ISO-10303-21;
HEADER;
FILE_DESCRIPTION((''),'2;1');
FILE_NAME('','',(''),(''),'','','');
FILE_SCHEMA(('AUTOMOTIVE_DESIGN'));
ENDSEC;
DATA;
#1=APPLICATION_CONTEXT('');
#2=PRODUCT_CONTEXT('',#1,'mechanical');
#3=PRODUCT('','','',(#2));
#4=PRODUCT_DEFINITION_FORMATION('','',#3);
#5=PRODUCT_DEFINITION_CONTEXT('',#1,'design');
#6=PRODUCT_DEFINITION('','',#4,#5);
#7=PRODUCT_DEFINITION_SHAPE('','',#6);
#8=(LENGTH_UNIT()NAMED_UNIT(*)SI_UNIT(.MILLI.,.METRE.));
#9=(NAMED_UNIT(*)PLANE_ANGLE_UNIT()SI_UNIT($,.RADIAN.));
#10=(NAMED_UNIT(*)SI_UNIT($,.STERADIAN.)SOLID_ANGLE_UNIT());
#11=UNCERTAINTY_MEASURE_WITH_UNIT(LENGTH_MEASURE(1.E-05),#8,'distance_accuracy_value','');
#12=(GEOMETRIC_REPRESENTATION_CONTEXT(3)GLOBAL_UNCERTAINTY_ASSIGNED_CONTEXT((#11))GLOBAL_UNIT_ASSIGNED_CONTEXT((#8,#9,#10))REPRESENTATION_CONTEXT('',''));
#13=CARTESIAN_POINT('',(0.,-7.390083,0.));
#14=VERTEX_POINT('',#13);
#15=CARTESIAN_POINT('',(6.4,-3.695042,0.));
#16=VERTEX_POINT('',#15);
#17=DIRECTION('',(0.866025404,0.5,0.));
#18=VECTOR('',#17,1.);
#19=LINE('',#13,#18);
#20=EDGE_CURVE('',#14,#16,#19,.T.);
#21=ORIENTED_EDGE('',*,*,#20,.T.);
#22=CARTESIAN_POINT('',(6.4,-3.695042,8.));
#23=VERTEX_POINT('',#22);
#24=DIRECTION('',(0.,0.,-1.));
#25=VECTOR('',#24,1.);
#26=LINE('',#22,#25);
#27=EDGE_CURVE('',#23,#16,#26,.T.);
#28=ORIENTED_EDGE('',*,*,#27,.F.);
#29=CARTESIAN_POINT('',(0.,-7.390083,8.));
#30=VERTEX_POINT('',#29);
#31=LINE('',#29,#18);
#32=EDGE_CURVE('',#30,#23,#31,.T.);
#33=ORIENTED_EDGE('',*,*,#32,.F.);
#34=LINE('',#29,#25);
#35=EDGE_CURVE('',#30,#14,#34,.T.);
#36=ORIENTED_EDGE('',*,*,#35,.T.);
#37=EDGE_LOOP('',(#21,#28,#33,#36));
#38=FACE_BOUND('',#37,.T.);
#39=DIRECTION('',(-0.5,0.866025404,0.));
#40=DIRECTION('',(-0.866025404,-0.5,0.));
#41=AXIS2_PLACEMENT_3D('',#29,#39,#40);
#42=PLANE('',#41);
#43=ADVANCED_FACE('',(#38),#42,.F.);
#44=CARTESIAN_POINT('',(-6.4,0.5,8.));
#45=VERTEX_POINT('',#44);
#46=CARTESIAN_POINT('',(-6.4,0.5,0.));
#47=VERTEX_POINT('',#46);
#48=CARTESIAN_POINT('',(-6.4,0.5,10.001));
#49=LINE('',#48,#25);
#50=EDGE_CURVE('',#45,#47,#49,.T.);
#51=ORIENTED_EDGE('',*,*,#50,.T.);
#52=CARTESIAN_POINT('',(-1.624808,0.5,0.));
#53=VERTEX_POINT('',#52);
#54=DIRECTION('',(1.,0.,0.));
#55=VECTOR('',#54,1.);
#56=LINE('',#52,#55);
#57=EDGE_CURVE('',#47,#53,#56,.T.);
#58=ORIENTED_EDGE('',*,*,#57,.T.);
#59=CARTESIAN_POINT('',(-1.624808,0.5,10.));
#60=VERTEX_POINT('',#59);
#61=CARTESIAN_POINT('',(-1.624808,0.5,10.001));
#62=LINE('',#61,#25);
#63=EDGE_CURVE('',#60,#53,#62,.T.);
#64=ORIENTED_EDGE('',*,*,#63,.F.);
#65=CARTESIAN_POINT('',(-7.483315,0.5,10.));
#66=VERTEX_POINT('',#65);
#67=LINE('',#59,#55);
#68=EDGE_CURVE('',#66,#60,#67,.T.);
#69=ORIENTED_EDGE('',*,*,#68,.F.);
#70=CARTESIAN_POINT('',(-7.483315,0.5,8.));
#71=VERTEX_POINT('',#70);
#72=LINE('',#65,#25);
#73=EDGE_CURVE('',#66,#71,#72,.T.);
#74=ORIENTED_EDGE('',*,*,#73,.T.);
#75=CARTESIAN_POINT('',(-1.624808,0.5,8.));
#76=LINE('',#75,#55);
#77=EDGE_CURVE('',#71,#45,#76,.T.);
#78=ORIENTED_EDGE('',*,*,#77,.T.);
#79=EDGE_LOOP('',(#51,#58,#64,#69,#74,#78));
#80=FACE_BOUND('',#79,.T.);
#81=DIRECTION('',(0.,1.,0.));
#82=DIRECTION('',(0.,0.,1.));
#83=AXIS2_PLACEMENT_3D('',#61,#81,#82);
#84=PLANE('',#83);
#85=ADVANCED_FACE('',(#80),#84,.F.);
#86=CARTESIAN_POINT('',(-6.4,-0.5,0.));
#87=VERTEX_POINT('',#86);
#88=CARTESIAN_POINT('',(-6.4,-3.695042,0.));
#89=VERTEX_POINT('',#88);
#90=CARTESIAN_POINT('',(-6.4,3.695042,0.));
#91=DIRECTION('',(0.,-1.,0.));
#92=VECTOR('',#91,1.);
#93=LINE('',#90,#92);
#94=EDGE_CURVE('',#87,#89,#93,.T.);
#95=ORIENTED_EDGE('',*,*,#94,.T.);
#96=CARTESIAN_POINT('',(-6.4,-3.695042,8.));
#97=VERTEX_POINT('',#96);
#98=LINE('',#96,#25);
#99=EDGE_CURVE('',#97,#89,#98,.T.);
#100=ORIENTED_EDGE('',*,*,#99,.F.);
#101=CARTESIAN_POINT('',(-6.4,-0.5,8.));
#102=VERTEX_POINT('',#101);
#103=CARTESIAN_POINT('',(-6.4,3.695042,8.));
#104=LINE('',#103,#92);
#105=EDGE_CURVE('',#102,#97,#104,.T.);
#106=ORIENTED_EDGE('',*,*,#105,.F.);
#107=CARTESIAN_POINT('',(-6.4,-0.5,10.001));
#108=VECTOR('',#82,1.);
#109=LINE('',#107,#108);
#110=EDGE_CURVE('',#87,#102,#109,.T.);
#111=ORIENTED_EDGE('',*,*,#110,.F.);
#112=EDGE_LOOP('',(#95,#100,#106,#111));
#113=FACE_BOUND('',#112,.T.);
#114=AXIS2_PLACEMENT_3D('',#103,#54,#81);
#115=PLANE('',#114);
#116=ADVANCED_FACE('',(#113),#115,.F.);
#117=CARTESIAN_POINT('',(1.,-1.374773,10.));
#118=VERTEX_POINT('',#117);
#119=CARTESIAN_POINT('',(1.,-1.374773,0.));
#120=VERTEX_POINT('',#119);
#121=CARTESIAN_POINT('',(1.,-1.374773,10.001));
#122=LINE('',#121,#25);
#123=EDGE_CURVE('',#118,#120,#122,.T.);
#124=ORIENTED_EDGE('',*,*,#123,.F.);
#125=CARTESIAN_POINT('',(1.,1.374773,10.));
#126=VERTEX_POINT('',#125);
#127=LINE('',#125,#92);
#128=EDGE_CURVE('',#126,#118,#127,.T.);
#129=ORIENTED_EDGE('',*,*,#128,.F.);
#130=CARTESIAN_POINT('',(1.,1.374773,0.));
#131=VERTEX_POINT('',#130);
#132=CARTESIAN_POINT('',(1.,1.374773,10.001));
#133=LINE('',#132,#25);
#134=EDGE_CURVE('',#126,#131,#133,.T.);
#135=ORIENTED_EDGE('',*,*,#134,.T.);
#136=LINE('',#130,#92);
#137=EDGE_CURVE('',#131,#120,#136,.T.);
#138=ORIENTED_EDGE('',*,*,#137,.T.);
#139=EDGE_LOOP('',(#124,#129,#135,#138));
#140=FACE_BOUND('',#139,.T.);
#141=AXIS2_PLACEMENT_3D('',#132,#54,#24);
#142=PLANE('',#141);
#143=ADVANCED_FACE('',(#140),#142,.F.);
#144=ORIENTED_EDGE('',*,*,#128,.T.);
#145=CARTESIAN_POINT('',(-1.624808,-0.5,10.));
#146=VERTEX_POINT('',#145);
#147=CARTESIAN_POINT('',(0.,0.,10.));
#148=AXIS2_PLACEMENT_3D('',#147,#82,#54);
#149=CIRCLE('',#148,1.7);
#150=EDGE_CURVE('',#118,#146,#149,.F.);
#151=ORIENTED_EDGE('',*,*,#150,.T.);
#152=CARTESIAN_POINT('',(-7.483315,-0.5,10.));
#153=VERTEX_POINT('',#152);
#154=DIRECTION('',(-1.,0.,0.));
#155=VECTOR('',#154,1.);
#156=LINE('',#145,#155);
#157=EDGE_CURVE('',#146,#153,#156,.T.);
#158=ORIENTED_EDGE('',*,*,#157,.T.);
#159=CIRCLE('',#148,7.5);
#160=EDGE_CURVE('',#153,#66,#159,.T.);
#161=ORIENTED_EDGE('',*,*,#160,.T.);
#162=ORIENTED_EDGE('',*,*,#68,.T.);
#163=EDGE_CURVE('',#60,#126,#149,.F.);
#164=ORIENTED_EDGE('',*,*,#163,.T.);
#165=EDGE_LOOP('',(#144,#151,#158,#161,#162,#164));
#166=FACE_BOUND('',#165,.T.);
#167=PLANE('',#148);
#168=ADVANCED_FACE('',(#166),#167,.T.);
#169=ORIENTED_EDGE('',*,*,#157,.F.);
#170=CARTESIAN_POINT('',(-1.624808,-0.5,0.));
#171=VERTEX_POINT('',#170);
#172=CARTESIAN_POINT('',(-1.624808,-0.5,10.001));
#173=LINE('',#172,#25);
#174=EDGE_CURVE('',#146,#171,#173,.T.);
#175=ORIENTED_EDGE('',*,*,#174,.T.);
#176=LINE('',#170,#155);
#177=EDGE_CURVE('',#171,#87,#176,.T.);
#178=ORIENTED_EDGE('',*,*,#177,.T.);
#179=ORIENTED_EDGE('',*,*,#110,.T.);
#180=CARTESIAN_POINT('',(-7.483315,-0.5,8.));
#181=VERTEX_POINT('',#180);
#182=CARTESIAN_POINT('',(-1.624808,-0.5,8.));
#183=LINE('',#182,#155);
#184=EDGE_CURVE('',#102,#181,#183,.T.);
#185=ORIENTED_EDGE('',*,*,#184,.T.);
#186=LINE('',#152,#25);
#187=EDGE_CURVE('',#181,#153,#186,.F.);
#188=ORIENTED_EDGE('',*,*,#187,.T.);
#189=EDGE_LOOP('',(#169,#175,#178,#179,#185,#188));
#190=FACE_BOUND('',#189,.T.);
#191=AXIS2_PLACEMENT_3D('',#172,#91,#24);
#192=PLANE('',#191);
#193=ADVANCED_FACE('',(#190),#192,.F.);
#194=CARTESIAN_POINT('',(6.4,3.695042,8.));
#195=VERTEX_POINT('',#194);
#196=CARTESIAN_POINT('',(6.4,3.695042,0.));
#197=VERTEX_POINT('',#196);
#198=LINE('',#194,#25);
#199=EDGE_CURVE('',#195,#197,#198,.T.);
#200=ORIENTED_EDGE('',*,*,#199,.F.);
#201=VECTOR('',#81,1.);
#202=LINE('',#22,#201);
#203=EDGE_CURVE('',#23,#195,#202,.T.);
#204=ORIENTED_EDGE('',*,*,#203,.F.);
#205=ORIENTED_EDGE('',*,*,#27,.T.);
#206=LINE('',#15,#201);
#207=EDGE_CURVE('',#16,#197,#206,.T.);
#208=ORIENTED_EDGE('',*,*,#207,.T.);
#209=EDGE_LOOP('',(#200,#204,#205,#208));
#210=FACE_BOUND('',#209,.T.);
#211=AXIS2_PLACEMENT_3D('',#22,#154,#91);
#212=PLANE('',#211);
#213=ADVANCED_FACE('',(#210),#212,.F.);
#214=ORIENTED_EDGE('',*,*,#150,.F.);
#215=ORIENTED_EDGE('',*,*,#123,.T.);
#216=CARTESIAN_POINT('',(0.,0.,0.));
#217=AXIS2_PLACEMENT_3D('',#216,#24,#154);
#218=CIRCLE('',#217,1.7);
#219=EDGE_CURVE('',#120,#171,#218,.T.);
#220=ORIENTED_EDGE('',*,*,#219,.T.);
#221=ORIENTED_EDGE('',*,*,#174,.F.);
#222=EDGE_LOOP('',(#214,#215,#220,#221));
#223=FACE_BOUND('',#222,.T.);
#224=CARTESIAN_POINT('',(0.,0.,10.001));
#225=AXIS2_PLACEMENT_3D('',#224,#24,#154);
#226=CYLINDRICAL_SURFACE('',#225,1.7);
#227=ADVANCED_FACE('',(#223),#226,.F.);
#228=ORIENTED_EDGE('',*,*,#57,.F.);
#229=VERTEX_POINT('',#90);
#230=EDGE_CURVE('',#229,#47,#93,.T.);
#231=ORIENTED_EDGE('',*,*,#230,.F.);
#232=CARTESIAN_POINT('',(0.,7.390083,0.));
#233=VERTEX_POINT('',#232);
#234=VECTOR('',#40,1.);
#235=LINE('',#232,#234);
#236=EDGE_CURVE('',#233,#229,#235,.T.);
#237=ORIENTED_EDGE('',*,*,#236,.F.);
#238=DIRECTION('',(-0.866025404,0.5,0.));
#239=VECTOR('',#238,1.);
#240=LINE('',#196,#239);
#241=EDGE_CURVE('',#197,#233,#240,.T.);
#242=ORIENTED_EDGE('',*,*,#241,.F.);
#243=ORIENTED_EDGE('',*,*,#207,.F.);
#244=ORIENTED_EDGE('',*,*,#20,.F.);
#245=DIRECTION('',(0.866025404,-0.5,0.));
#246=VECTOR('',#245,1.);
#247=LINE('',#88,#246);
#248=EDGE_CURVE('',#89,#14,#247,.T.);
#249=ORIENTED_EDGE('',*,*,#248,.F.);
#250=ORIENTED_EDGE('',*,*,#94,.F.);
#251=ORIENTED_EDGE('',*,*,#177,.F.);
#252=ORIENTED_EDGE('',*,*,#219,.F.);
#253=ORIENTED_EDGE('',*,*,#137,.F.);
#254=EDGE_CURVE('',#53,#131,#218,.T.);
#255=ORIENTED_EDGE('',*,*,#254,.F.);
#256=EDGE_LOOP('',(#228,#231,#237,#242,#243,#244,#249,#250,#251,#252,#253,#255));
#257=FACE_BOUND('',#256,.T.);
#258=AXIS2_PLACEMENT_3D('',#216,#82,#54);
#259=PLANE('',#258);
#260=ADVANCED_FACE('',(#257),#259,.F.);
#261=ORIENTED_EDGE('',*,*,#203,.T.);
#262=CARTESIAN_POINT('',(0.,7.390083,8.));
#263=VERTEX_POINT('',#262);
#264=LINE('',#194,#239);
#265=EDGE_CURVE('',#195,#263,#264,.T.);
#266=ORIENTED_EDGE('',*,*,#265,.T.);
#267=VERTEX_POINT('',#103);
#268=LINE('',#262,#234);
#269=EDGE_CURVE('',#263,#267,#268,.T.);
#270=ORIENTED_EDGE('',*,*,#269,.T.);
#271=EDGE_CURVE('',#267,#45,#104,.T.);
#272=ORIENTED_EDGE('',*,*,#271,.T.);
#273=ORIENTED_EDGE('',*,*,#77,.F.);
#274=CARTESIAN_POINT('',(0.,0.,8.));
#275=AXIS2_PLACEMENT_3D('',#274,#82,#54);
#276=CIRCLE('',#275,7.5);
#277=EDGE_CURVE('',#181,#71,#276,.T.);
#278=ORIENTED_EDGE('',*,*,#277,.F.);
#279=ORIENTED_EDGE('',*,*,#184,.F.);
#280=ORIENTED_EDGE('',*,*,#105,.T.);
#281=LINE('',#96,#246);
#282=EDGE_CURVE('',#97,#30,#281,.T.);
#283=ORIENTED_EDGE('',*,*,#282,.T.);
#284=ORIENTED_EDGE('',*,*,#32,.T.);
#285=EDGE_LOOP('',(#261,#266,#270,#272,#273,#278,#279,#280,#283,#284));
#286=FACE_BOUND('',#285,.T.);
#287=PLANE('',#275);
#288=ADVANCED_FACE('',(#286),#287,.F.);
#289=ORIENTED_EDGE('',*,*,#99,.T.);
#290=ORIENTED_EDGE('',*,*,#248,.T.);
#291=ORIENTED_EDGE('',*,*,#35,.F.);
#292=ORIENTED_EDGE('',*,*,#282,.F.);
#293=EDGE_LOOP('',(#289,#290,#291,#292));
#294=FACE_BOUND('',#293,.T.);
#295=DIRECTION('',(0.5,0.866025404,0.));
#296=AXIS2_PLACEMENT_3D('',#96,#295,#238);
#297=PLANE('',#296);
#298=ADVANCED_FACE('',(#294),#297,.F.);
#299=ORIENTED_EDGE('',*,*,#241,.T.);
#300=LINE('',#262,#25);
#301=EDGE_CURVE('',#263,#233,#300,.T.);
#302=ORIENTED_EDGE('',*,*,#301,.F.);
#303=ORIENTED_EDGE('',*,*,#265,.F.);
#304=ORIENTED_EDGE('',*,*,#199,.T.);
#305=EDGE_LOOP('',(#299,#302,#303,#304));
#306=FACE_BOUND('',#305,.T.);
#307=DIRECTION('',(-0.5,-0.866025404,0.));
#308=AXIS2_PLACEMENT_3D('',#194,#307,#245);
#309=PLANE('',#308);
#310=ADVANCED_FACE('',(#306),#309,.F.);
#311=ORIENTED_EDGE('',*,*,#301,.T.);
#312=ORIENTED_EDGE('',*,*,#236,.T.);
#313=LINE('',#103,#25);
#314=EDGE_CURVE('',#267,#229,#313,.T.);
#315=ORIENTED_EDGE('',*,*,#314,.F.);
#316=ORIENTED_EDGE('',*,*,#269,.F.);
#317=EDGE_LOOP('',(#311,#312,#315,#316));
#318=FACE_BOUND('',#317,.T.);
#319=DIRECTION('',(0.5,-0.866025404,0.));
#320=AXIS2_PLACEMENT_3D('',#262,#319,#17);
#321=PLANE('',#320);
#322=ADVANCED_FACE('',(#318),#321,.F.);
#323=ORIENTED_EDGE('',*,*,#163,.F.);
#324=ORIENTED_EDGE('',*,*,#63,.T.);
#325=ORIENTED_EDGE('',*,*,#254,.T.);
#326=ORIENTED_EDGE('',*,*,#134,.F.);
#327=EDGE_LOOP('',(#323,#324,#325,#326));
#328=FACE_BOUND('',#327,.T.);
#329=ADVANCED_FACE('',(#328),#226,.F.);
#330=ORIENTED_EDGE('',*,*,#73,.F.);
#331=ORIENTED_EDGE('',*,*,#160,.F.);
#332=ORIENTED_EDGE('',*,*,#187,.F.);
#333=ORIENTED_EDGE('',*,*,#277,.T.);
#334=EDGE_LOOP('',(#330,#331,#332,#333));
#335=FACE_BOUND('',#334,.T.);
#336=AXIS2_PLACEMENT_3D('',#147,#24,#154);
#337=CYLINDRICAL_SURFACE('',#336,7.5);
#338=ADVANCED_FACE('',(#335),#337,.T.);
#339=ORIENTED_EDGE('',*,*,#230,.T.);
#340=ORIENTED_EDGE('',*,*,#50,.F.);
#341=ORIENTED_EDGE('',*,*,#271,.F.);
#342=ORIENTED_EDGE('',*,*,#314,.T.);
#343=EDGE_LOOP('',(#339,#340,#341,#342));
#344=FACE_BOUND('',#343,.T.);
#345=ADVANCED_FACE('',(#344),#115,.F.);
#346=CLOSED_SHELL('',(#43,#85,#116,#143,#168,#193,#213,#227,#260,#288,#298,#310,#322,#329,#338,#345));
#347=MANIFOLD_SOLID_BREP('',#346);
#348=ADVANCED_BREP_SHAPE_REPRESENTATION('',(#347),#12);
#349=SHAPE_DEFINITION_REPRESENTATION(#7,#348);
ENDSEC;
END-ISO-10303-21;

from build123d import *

# Parameters (mm, degrees)
BOSS_EXTRU_1_DEPTH      = 8
ESQUISSE2_R             = 7.5
BOSS_EXTRU_2_DEPTH      = 2
ENL_V_MAT_EXTRU_1_REACH = 16.577


with BuildPart() as part:
    # Esquisse1 → Boss.-Extru.1 (new body)
    with BuildSketch(Plane.XY):
        Polygon((0, 7.390083446), (-6.4, 3.695041723), (-6.4, -3.695041723), (0, -7.390083446), (6.4, -3.695041723), (6.4, 3.695041723), align=None)
    extrude(amount=BOSS_EXTRU_1_DEPTH)

    # Esquisse2 → Boss.-Extru.2 (add)
    with BuildSketch(Plane.XY.offset(8)):
        Circle(ESQUISSE2_R)
    extrude(amount=BOSS_EXTRU_2_DEPTH)

    # Esquisse3 → Enlèv. mat.-Extru.1 (cut, up to next)
    with BuildSketch(Plane(origin=(0, 0, 0), x_dir=(-1, 0, 0), z_dir=(0, 0, -1)), mode=Mode.PRIVATE) as enl_v_mat_extru_1_sk1:
        with BuildLine():
            Line((-1, 1.374772708), (-1, -1.374772708))
            ThreePointArc((-1, -1.374772708), (0.53749696, -1.612791684), (1.624807681, -0.5))
            Line((1.624807681, -0.5), (8.490964129, -0.5))
            Line((8.490964129, -0.5), (8.490964129, 0.5))
            Line((8.490964129, 0.5), (1.624807681, 0.5))
            ThreePointArc((1.624807681, 0.5), (0.53749696, 1.612791684), (-1, 1.374772708))
        make_face()
    enl_v_mat_extru_1_tool1 = extrude(enl_v_mat_extru_1_sk1.sketch, amount=-ENL_V_MAT_EXTRU_1_REACH, mode=Mode.PRIVATE) & part.part
    add(enl_v_mat_extru_1_tool1.solids().sort_by_distance((-2.500554, 0, 0))[0], mode=Mode.SUBTRACT)


solid = part.part
